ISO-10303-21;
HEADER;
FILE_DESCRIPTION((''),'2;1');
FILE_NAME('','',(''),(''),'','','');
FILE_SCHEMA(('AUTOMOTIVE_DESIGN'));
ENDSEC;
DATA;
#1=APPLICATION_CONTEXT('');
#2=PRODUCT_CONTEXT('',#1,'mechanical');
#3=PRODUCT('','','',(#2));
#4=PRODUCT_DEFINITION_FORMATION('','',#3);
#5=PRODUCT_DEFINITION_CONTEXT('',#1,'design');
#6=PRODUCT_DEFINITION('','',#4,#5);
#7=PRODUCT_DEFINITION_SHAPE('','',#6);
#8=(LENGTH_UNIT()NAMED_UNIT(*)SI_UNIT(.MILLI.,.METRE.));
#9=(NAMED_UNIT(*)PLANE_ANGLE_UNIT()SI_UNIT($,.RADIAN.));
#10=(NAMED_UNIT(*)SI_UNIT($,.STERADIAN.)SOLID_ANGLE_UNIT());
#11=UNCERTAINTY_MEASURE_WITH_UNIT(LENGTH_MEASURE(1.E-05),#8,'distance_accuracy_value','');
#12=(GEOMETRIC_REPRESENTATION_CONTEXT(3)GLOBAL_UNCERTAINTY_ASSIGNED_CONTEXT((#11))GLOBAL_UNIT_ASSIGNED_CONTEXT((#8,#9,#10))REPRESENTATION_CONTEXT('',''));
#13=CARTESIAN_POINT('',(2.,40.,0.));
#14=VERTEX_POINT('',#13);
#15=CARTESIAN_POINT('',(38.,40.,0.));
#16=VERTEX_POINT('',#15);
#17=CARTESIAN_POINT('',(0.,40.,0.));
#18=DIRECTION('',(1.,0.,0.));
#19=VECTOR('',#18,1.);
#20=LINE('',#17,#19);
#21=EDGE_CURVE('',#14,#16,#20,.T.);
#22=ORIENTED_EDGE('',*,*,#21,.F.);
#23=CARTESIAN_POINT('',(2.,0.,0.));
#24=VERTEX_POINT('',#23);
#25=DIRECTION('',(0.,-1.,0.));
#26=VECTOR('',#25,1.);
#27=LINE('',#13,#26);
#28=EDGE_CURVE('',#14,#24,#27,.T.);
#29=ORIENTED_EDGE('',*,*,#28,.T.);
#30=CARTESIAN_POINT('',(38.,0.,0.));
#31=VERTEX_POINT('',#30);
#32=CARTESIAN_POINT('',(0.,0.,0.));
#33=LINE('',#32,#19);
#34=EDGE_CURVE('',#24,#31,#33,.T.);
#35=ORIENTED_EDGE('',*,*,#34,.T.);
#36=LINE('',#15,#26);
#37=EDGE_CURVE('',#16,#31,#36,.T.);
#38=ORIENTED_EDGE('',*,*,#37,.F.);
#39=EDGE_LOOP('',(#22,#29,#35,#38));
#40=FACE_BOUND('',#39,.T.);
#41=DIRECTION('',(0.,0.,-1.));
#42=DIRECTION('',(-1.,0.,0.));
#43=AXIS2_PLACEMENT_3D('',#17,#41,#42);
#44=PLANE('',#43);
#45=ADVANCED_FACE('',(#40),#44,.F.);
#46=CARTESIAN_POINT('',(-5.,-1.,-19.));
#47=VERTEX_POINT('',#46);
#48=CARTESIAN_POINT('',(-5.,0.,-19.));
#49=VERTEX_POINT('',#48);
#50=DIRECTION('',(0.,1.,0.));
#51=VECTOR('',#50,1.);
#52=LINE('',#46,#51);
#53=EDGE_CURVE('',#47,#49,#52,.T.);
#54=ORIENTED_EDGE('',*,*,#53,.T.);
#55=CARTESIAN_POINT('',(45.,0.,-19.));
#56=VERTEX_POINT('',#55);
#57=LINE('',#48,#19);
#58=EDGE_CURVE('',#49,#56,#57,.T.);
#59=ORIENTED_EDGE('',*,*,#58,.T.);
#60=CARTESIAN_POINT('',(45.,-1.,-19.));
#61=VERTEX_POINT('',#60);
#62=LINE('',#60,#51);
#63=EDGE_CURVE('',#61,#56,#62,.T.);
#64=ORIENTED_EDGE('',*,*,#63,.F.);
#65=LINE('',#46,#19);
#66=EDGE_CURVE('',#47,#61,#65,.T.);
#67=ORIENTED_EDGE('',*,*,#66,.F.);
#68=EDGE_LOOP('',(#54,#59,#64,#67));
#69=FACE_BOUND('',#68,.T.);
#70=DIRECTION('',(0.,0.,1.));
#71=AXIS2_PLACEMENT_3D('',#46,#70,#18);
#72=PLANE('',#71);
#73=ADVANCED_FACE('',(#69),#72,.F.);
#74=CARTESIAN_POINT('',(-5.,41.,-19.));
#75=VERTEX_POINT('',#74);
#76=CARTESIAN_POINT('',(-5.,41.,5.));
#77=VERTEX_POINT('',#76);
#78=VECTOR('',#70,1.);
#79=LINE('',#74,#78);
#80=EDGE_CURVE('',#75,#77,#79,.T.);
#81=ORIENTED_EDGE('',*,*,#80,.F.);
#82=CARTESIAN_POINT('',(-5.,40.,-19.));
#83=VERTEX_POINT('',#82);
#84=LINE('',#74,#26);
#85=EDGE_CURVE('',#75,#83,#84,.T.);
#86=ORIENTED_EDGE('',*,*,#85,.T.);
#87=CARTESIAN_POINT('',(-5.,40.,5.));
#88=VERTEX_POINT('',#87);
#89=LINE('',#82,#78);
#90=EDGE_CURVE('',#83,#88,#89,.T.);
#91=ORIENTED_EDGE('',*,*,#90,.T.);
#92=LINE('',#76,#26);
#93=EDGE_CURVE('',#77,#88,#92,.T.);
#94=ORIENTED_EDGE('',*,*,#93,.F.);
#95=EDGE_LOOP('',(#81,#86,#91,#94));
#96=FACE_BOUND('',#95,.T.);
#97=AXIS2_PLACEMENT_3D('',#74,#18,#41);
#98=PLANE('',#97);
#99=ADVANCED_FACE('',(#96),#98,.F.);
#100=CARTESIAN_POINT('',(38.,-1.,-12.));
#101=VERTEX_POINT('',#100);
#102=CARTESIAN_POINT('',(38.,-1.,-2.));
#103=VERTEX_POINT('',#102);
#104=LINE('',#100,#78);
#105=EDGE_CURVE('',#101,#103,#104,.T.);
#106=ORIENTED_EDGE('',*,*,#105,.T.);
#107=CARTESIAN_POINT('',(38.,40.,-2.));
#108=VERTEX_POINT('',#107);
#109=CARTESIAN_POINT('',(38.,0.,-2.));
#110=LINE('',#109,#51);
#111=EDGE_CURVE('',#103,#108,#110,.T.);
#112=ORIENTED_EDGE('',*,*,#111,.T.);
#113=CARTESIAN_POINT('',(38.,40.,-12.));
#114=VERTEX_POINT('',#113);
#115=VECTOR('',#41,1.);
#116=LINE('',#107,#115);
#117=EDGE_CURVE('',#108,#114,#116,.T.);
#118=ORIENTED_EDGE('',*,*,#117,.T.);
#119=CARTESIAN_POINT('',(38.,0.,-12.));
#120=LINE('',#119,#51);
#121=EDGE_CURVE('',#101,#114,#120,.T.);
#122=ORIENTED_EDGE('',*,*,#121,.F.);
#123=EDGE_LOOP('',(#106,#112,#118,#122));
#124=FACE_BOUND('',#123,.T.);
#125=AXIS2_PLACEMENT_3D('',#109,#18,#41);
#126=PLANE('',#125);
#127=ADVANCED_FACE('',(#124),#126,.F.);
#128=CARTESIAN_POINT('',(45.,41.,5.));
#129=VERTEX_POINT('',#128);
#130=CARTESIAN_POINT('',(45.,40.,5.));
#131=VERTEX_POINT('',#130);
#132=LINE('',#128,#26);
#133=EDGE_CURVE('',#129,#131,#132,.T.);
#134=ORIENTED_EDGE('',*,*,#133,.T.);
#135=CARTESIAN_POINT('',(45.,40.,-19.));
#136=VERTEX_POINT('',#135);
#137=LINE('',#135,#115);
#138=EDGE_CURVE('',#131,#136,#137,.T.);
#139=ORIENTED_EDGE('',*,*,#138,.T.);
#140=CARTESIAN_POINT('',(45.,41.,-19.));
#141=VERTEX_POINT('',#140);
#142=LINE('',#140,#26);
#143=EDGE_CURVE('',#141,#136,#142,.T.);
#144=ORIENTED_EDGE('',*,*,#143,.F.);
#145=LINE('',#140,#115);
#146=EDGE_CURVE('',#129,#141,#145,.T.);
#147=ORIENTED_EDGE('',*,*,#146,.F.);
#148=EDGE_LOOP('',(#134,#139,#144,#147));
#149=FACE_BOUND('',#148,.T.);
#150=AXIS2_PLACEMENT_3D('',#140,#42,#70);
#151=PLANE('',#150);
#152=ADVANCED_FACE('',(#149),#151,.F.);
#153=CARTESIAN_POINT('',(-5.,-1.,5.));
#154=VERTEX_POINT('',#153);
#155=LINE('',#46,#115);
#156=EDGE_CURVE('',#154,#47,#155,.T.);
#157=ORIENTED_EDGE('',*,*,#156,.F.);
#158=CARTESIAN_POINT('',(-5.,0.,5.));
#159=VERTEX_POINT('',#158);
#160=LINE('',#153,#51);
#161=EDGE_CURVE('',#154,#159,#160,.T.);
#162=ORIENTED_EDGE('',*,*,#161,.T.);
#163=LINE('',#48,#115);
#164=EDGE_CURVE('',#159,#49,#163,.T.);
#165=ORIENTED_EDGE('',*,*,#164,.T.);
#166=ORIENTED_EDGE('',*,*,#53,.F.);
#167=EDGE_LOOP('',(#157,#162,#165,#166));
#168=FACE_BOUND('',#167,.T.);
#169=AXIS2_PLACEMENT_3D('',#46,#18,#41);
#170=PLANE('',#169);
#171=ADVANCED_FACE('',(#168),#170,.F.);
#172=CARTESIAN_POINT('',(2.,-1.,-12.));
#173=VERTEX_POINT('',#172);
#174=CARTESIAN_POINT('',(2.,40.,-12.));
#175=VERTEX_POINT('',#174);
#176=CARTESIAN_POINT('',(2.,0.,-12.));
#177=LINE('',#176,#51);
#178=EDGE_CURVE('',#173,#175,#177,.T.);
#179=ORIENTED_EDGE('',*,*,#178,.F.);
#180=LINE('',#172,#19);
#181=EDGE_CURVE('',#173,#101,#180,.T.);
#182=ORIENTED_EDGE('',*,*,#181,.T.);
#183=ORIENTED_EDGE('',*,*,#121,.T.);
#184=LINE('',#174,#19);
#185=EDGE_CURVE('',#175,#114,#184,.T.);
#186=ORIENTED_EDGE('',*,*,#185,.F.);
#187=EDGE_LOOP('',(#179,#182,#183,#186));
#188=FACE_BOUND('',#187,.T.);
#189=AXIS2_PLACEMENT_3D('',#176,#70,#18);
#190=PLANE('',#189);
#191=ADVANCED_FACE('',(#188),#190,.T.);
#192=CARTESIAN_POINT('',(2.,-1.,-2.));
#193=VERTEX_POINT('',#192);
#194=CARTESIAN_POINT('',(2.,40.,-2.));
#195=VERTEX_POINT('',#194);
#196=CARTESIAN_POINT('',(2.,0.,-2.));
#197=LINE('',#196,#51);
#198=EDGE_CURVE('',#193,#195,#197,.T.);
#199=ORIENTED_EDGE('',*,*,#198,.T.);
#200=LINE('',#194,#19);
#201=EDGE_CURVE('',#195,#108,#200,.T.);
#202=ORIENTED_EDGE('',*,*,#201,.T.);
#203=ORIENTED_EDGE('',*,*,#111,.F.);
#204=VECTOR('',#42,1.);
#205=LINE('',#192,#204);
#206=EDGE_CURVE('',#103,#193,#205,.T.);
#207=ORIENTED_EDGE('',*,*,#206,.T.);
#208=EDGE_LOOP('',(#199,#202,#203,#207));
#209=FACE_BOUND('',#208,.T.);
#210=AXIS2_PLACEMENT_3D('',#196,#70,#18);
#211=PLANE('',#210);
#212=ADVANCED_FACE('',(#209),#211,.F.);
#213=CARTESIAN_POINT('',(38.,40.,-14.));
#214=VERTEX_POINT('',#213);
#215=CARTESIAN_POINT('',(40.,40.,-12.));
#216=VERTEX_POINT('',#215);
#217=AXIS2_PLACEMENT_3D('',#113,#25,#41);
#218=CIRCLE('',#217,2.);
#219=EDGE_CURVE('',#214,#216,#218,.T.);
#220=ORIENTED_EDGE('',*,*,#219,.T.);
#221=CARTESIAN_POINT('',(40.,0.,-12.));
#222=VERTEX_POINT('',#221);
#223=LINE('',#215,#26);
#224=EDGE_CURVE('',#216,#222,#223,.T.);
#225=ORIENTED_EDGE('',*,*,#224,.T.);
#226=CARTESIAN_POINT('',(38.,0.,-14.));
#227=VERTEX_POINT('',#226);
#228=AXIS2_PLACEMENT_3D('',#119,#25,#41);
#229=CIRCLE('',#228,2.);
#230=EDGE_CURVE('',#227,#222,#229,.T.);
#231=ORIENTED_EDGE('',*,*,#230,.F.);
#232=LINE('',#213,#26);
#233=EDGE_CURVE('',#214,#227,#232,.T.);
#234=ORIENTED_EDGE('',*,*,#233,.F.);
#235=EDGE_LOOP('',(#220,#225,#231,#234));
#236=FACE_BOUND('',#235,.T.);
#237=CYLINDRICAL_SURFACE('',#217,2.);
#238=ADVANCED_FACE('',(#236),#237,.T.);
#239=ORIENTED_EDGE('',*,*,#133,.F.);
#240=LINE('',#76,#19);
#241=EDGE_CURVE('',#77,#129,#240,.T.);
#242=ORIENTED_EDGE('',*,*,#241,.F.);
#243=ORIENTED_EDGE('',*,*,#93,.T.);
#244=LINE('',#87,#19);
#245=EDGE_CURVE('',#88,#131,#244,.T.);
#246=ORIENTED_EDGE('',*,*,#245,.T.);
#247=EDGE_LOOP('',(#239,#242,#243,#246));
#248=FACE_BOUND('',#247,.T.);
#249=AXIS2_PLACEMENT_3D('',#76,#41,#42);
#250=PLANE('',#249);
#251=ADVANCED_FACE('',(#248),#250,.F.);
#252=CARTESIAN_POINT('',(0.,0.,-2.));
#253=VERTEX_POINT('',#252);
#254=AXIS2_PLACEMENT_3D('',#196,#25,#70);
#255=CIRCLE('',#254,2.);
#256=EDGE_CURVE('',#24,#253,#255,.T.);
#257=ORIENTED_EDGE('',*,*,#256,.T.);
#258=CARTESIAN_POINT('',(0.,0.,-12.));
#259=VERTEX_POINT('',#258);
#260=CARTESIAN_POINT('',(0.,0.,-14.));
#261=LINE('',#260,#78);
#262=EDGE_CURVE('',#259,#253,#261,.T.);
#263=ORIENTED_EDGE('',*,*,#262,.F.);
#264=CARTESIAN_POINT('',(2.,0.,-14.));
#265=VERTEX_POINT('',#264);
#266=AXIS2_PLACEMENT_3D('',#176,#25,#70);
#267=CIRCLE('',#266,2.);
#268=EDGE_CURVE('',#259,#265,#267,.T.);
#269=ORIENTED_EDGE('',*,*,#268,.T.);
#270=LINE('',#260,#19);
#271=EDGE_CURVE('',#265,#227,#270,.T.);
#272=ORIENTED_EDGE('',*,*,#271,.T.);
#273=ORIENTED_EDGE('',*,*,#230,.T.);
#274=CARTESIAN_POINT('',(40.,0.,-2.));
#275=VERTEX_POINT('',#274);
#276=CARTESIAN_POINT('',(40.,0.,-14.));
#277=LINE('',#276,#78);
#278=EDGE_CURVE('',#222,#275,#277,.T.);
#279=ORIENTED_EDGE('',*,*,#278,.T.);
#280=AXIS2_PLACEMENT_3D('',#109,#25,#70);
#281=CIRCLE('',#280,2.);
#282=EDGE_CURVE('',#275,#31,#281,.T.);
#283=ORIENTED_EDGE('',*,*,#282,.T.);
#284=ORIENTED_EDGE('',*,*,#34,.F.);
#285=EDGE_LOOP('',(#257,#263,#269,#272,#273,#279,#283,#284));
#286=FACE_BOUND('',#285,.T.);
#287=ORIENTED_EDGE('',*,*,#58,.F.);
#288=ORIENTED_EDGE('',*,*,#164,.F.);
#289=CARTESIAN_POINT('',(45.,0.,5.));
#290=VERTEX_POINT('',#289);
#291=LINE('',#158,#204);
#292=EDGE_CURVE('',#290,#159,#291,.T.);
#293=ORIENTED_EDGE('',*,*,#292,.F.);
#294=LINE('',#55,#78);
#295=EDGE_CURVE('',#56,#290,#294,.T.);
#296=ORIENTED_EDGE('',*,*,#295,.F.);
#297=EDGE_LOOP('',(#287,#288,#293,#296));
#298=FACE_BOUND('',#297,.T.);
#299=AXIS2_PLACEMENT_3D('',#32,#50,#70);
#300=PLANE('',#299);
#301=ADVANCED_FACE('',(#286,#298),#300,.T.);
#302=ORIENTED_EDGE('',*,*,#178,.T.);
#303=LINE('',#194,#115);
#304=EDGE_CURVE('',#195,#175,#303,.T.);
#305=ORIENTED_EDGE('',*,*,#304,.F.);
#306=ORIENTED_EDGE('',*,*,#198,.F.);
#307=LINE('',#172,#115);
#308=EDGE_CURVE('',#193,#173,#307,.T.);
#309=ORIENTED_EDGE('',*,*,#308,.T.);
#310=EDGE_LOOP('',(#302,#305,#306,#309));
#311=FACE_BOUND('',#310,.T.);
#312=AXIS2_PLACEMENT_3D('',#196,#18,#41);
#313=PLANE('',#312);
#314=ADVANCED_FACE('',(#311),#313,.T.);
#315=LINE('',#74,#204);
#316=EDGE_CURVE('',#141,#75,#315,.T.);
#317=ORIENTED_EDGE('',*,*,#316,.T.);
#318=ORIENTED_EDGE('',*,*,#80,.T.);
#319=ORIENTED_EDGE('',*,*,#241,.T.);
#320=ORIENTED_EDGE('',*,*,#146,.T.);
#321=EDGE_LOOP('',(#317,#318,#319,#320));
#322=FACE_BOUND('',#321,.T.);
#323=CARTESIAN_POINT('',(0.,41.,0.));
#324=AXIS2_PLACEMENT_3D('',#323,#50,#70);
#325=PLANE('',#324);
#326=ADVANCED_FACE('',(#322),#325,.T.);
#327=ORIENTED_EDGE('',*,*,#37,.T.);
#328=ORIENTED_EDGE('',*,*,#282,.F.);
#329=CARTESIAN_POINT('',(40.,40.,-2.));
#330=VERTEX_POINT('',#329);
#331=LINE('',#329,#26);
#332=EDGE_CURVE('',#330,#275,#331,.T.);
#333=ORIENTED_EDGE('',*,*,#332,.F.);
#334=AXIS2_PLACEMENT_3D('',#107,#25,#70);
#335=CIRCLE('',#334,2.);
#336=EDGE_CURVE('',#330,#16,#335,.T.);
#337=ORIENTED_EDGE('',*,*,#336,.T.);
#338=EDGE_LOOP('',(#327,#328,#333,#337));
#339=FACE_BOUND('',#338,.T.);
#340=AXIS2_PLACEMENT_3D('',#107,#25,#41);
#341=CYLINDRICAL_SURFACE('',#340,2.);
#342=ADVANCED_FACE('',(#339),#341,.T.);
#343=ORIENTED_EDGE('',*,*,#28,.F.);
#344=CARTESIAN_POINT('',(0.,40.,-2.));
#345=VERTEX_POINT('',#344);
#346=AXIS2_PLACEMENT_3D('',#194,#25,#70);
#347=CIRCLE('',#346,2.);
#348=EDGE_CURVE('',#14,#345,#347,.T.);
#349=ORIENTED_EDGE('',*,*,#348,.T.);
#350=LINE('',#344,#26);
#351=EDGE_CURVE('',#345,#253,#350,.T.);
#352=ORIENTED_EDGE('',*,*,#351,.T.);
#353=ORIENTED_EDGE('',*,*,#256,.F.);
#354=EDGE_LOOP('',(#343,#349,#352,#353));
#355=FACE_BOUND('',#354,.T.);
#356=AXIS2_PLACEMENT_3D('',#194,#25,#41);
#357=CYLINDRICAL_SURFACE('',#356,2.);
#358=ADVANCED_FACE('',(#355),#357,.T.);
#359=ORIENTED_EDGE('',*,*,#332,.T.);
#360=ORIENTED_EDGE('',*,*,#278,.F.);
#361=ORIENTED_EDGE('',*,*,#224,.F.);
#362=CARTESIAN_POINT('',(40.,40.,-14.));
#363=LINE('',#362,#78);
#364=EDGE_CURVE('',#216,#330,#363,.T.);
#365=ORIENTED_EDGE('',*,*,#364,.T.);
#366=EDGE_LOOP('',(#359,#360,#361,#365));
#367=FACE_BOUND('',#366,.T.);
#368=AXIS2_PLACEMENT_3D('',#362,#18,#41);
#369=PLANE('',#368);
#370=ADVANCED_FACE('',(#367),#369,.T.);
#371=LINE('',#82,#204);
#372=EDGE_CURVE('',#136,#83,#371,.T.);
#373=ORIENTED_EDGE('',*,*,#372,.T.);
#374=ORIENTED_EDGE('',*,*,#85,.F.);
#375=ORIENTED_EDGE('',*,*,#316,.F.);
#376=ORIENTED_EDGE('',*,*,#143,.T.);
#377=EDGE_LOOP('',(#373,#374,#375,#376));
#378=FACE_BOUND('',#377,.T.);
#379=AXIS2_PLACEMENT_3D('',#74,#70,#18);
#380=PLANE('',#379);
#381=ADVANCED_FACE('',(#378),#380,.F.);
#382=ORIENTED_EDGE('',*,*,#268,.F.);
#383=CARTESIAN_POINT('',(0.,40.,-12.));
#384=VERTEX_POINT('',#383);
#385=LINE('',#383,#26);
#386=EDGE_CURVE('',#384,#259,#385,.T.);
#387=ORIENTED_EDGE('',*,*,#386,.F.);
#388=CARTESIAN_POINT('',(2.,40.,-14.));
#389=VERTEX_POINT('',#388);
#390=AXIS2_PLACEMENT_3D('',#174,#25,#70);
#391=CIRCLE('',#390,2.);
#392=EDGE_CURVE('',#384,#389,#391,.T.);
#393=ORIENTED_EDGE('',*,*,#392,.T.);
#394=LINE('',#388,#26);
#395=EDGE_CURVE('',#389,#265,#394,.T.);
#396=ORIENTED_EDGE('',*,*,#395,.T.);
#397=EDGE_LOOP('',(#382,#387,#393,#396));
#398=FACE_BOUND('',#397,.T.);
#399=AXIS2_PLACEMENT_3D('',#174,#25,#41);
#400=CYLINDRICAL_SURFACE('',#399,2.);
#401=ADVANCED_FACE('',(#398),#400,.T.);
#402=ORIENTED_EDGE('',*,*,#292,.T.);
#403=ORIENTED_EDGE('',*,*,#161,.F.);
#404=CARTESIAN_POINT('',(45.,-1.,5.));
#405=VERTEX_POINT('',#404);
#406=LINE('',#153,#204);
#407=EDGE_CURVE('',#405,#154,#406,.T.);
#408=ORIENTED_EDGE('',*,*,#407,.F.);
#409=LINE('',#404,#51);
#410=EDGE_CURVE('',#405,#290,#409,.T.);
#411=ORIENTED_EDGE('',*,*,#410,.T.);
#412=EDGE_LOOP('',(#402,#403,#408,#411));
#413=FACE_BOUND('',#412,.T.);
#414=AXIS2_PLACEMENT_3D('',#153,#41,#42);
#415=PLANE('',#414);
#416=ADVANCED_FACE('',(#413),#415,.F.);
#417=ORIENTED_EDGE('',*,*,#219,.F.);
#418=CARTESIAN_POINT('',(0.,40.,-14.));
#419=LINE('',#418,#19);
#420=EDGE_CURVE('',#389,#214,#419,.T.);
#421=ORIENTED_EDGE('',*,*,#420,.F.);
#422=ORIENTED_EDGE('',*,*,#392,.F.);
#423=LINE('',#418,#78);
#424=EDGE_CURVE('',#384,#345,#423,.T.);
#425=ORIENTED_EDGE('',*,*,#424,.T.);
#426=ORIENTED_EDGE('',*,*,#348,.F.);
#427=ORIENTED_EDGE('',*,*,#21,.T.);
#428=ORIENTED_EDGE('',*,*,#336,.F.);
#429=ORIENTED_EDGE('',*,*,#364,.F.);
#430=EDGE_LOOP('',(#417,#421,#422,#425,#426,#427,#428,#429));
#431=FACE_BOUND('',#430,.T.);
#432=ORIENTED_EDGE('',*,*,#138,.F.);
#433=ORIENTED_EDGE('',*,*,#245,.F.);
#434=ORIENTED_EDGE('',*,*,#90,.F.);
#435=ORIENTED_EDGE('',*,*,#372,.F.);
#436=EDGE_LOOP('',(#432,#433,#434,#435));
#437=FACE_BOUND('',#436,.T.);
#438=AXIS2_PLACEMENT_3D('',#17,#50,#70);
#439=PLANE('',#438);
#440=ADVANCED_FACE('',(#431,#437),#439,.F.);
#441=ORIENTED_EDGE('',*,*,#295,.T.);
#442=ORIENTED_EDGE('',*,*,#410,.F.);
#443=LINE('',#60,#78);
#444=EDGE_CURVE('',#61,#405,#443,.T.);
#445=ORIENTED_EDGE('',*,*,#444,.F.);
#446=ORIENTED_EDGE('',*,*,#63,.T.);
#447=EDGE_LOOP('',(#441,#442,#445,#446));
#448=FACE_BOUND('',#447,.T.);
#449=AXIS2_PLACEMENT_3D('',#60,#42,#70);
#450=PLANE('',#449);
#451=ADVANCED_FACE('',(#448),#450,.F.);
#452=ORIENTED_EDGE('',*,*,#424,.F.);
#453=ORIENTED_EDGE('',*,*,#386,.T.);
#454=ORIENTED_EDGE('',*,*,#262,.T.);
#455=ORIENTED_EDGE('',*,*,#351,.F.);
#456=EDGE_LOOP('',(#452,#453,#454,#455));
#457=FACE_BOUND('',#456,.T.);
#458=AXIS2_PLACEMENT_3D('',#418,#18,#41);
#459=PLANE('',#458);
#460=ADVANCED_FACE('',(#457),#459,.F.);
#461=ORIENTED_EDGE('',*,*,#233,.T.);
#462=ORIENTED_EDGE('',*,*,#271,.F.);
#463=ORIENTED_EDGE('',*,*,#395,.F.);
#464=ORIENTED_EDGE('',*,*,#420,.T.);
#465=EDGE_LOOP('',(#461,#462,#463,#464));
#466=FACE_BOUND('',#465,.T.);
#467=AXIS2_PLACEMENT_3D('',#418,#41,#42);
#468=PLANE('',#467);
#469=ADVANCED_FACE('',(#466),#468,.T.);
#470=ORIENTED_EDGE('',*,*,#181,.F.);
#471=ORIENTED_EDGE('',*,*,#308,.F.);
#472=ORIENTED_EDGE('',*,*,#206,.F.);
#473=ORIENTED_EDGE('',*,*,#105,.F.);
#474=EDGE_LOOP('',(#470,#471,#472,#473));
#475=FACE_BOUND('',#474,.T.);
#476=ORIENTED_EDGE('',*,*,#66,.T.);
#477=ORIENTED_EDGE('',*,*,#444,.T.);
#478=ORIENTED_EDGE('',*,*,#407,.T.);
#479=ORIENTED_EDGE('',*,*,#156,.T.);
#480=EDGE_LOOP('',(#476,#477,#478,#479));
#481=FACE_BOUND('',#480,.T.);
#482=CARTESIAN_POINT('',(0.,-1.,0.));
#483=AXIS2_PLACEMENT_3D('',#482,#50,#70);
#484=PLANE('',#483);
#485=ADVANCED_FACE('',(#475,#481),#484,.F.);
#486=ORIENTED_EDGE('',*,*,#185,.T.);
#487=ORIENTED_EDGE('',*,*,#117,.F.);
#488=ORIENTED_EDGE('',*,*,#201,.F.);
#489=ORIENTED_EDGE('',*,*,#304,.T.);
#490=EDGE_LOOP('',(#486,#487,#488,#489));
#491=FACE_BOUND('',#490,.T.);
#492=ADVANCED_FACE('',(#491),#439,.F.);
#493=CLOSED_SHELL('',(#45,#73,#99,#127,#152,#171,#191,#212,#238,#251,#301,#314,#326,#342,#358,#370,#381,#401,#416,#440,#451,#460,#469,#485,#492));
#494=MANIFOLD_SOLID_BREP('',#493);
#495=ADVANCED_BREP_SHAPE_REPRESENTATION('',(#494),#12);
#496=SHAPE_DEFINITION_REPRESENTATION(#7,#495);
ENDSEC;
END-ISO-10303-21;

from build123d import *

# Parameters (mm, degrees)
SKETCH_1_W          = 40
SKETCH_1_H          = 14
EXTRUDE_1_DEPTH     = 40
SKETCH_6_W          = 36
SKETCH_6_H          = 10
CUT_EXTRUDE_2_DEPTH = 41
SKETCH_15_OUTSIDE_W = 53.656
SKETCH_15_OUTSIDE_H = 27.656
CUT_EXTRUDE_5_DEPTH = 41
SKETCH_16_W         = 50
SKETCH_16_H         = 24
EXTRUDE_2_DEPTH     = 1
SKETCH_17_W         = 50
SKETCH_17_H         = 24
EXTRUDE_3_DEPTH     = 1
SKETCH_18_W         = 36
SKETCH_18_H         = 10
CUT_EXTRUDE_6_DEPTH = 1


with BuildPart() as part:
    # 草图1 → 凸台-拉伸1 (new body)
    with BuildSketch(Plane(origin=(0, 0, 0), x_dir=(1, 0, 0), z_dir=(0, 1, 0))):
        with Locations((20, 7)):
            Rectangle(SKETCH_1_W, SKETCH_1_H)
    extrude(amount=EXTRUDE_1_DEPTH)

    # 草图6 → 切除-拉伸2 (cut, through all)
    with BuildSketch(Plane(origin=(0, 40, 0), x_dir=(1, 0, 0), z_dir=(0, 1, 0))):
        with Locations((20, 7)):
            Rectangle(SKETCH_6_W, SKETCH_6_H)
    extrude(amount=-CUT_EXTRUDE_2_DEPTH, mode=Mode.SUBTRACT)

    # 草图15 outside → 切除-拉伸5 (cut, through all)
    with BuildSketch(Plane.XZ):
        with Locations((20, -7)):
            Rectangle(SKETCH_15_OUTSIDE_W, SKETCH_15_OUTSIDE_H)
        with BuildLine():
            Line((2, -14), (38, -14))
            ThreePointArc((38, -14), (39.414213562, -13.414213562), (40, -12))
            Line((40, -12), (40, -2))
            ThreePointArc((40, -2), (39.414213562, -0.585786438), (38, 0))
            Line((38, 0), (2, 0))
            ThreePointArc((2, 0), (0.585786438, -0.585786438), (0, -2))
            Line((0, -2), (0, -12))
            ThreePointArc((0, -12), (0.585786438, -13.414213562), (2, -14))
        make_face(mode=Mode.SUBTRACT)
    extrude(amount=-CUT_EXTRUDE_5_DEPTH, mode=Mode.SUBTRACT)

    # 草图16 → 凸台-拉伸2 (add)
    with BuildSketch(Plane(origin=(0, 40, 0), x_dir=(1, 0, 0), z_dir=(0, 1, 0))):
        with Locations((20, 7)):
            Rectangle(SKETCH_16_W, SKETCH_16_H)
    extrude(amount=EXTRUDE_2_DEPTH)

    # 草图17 → 凸台-拉伸3 (add)
    with BuildSketch(Plane.XZ):
        with Locations((20, -7)):
            Rectangle(SKETCH_17_W, SKETCH_17_H)
    extrude(amount=EXTRUDE_3_DEPTH)

    # 草图18 → 切除-拉伸6 (cut)
    with BuildSketch(Plane(origin=(0, -1, 0), x_dir=(-1, 0, 0), z_dir=(0, -1, 0))):
        with Locations((-20, 7)):
            Rectangle(SKETCH_18_W, SKETCH_18_H)
    extrude(amount=-CUT_EXTRUDE_6_DEPTH, mode=Mode.SUBTRACT)


solid = part.part
